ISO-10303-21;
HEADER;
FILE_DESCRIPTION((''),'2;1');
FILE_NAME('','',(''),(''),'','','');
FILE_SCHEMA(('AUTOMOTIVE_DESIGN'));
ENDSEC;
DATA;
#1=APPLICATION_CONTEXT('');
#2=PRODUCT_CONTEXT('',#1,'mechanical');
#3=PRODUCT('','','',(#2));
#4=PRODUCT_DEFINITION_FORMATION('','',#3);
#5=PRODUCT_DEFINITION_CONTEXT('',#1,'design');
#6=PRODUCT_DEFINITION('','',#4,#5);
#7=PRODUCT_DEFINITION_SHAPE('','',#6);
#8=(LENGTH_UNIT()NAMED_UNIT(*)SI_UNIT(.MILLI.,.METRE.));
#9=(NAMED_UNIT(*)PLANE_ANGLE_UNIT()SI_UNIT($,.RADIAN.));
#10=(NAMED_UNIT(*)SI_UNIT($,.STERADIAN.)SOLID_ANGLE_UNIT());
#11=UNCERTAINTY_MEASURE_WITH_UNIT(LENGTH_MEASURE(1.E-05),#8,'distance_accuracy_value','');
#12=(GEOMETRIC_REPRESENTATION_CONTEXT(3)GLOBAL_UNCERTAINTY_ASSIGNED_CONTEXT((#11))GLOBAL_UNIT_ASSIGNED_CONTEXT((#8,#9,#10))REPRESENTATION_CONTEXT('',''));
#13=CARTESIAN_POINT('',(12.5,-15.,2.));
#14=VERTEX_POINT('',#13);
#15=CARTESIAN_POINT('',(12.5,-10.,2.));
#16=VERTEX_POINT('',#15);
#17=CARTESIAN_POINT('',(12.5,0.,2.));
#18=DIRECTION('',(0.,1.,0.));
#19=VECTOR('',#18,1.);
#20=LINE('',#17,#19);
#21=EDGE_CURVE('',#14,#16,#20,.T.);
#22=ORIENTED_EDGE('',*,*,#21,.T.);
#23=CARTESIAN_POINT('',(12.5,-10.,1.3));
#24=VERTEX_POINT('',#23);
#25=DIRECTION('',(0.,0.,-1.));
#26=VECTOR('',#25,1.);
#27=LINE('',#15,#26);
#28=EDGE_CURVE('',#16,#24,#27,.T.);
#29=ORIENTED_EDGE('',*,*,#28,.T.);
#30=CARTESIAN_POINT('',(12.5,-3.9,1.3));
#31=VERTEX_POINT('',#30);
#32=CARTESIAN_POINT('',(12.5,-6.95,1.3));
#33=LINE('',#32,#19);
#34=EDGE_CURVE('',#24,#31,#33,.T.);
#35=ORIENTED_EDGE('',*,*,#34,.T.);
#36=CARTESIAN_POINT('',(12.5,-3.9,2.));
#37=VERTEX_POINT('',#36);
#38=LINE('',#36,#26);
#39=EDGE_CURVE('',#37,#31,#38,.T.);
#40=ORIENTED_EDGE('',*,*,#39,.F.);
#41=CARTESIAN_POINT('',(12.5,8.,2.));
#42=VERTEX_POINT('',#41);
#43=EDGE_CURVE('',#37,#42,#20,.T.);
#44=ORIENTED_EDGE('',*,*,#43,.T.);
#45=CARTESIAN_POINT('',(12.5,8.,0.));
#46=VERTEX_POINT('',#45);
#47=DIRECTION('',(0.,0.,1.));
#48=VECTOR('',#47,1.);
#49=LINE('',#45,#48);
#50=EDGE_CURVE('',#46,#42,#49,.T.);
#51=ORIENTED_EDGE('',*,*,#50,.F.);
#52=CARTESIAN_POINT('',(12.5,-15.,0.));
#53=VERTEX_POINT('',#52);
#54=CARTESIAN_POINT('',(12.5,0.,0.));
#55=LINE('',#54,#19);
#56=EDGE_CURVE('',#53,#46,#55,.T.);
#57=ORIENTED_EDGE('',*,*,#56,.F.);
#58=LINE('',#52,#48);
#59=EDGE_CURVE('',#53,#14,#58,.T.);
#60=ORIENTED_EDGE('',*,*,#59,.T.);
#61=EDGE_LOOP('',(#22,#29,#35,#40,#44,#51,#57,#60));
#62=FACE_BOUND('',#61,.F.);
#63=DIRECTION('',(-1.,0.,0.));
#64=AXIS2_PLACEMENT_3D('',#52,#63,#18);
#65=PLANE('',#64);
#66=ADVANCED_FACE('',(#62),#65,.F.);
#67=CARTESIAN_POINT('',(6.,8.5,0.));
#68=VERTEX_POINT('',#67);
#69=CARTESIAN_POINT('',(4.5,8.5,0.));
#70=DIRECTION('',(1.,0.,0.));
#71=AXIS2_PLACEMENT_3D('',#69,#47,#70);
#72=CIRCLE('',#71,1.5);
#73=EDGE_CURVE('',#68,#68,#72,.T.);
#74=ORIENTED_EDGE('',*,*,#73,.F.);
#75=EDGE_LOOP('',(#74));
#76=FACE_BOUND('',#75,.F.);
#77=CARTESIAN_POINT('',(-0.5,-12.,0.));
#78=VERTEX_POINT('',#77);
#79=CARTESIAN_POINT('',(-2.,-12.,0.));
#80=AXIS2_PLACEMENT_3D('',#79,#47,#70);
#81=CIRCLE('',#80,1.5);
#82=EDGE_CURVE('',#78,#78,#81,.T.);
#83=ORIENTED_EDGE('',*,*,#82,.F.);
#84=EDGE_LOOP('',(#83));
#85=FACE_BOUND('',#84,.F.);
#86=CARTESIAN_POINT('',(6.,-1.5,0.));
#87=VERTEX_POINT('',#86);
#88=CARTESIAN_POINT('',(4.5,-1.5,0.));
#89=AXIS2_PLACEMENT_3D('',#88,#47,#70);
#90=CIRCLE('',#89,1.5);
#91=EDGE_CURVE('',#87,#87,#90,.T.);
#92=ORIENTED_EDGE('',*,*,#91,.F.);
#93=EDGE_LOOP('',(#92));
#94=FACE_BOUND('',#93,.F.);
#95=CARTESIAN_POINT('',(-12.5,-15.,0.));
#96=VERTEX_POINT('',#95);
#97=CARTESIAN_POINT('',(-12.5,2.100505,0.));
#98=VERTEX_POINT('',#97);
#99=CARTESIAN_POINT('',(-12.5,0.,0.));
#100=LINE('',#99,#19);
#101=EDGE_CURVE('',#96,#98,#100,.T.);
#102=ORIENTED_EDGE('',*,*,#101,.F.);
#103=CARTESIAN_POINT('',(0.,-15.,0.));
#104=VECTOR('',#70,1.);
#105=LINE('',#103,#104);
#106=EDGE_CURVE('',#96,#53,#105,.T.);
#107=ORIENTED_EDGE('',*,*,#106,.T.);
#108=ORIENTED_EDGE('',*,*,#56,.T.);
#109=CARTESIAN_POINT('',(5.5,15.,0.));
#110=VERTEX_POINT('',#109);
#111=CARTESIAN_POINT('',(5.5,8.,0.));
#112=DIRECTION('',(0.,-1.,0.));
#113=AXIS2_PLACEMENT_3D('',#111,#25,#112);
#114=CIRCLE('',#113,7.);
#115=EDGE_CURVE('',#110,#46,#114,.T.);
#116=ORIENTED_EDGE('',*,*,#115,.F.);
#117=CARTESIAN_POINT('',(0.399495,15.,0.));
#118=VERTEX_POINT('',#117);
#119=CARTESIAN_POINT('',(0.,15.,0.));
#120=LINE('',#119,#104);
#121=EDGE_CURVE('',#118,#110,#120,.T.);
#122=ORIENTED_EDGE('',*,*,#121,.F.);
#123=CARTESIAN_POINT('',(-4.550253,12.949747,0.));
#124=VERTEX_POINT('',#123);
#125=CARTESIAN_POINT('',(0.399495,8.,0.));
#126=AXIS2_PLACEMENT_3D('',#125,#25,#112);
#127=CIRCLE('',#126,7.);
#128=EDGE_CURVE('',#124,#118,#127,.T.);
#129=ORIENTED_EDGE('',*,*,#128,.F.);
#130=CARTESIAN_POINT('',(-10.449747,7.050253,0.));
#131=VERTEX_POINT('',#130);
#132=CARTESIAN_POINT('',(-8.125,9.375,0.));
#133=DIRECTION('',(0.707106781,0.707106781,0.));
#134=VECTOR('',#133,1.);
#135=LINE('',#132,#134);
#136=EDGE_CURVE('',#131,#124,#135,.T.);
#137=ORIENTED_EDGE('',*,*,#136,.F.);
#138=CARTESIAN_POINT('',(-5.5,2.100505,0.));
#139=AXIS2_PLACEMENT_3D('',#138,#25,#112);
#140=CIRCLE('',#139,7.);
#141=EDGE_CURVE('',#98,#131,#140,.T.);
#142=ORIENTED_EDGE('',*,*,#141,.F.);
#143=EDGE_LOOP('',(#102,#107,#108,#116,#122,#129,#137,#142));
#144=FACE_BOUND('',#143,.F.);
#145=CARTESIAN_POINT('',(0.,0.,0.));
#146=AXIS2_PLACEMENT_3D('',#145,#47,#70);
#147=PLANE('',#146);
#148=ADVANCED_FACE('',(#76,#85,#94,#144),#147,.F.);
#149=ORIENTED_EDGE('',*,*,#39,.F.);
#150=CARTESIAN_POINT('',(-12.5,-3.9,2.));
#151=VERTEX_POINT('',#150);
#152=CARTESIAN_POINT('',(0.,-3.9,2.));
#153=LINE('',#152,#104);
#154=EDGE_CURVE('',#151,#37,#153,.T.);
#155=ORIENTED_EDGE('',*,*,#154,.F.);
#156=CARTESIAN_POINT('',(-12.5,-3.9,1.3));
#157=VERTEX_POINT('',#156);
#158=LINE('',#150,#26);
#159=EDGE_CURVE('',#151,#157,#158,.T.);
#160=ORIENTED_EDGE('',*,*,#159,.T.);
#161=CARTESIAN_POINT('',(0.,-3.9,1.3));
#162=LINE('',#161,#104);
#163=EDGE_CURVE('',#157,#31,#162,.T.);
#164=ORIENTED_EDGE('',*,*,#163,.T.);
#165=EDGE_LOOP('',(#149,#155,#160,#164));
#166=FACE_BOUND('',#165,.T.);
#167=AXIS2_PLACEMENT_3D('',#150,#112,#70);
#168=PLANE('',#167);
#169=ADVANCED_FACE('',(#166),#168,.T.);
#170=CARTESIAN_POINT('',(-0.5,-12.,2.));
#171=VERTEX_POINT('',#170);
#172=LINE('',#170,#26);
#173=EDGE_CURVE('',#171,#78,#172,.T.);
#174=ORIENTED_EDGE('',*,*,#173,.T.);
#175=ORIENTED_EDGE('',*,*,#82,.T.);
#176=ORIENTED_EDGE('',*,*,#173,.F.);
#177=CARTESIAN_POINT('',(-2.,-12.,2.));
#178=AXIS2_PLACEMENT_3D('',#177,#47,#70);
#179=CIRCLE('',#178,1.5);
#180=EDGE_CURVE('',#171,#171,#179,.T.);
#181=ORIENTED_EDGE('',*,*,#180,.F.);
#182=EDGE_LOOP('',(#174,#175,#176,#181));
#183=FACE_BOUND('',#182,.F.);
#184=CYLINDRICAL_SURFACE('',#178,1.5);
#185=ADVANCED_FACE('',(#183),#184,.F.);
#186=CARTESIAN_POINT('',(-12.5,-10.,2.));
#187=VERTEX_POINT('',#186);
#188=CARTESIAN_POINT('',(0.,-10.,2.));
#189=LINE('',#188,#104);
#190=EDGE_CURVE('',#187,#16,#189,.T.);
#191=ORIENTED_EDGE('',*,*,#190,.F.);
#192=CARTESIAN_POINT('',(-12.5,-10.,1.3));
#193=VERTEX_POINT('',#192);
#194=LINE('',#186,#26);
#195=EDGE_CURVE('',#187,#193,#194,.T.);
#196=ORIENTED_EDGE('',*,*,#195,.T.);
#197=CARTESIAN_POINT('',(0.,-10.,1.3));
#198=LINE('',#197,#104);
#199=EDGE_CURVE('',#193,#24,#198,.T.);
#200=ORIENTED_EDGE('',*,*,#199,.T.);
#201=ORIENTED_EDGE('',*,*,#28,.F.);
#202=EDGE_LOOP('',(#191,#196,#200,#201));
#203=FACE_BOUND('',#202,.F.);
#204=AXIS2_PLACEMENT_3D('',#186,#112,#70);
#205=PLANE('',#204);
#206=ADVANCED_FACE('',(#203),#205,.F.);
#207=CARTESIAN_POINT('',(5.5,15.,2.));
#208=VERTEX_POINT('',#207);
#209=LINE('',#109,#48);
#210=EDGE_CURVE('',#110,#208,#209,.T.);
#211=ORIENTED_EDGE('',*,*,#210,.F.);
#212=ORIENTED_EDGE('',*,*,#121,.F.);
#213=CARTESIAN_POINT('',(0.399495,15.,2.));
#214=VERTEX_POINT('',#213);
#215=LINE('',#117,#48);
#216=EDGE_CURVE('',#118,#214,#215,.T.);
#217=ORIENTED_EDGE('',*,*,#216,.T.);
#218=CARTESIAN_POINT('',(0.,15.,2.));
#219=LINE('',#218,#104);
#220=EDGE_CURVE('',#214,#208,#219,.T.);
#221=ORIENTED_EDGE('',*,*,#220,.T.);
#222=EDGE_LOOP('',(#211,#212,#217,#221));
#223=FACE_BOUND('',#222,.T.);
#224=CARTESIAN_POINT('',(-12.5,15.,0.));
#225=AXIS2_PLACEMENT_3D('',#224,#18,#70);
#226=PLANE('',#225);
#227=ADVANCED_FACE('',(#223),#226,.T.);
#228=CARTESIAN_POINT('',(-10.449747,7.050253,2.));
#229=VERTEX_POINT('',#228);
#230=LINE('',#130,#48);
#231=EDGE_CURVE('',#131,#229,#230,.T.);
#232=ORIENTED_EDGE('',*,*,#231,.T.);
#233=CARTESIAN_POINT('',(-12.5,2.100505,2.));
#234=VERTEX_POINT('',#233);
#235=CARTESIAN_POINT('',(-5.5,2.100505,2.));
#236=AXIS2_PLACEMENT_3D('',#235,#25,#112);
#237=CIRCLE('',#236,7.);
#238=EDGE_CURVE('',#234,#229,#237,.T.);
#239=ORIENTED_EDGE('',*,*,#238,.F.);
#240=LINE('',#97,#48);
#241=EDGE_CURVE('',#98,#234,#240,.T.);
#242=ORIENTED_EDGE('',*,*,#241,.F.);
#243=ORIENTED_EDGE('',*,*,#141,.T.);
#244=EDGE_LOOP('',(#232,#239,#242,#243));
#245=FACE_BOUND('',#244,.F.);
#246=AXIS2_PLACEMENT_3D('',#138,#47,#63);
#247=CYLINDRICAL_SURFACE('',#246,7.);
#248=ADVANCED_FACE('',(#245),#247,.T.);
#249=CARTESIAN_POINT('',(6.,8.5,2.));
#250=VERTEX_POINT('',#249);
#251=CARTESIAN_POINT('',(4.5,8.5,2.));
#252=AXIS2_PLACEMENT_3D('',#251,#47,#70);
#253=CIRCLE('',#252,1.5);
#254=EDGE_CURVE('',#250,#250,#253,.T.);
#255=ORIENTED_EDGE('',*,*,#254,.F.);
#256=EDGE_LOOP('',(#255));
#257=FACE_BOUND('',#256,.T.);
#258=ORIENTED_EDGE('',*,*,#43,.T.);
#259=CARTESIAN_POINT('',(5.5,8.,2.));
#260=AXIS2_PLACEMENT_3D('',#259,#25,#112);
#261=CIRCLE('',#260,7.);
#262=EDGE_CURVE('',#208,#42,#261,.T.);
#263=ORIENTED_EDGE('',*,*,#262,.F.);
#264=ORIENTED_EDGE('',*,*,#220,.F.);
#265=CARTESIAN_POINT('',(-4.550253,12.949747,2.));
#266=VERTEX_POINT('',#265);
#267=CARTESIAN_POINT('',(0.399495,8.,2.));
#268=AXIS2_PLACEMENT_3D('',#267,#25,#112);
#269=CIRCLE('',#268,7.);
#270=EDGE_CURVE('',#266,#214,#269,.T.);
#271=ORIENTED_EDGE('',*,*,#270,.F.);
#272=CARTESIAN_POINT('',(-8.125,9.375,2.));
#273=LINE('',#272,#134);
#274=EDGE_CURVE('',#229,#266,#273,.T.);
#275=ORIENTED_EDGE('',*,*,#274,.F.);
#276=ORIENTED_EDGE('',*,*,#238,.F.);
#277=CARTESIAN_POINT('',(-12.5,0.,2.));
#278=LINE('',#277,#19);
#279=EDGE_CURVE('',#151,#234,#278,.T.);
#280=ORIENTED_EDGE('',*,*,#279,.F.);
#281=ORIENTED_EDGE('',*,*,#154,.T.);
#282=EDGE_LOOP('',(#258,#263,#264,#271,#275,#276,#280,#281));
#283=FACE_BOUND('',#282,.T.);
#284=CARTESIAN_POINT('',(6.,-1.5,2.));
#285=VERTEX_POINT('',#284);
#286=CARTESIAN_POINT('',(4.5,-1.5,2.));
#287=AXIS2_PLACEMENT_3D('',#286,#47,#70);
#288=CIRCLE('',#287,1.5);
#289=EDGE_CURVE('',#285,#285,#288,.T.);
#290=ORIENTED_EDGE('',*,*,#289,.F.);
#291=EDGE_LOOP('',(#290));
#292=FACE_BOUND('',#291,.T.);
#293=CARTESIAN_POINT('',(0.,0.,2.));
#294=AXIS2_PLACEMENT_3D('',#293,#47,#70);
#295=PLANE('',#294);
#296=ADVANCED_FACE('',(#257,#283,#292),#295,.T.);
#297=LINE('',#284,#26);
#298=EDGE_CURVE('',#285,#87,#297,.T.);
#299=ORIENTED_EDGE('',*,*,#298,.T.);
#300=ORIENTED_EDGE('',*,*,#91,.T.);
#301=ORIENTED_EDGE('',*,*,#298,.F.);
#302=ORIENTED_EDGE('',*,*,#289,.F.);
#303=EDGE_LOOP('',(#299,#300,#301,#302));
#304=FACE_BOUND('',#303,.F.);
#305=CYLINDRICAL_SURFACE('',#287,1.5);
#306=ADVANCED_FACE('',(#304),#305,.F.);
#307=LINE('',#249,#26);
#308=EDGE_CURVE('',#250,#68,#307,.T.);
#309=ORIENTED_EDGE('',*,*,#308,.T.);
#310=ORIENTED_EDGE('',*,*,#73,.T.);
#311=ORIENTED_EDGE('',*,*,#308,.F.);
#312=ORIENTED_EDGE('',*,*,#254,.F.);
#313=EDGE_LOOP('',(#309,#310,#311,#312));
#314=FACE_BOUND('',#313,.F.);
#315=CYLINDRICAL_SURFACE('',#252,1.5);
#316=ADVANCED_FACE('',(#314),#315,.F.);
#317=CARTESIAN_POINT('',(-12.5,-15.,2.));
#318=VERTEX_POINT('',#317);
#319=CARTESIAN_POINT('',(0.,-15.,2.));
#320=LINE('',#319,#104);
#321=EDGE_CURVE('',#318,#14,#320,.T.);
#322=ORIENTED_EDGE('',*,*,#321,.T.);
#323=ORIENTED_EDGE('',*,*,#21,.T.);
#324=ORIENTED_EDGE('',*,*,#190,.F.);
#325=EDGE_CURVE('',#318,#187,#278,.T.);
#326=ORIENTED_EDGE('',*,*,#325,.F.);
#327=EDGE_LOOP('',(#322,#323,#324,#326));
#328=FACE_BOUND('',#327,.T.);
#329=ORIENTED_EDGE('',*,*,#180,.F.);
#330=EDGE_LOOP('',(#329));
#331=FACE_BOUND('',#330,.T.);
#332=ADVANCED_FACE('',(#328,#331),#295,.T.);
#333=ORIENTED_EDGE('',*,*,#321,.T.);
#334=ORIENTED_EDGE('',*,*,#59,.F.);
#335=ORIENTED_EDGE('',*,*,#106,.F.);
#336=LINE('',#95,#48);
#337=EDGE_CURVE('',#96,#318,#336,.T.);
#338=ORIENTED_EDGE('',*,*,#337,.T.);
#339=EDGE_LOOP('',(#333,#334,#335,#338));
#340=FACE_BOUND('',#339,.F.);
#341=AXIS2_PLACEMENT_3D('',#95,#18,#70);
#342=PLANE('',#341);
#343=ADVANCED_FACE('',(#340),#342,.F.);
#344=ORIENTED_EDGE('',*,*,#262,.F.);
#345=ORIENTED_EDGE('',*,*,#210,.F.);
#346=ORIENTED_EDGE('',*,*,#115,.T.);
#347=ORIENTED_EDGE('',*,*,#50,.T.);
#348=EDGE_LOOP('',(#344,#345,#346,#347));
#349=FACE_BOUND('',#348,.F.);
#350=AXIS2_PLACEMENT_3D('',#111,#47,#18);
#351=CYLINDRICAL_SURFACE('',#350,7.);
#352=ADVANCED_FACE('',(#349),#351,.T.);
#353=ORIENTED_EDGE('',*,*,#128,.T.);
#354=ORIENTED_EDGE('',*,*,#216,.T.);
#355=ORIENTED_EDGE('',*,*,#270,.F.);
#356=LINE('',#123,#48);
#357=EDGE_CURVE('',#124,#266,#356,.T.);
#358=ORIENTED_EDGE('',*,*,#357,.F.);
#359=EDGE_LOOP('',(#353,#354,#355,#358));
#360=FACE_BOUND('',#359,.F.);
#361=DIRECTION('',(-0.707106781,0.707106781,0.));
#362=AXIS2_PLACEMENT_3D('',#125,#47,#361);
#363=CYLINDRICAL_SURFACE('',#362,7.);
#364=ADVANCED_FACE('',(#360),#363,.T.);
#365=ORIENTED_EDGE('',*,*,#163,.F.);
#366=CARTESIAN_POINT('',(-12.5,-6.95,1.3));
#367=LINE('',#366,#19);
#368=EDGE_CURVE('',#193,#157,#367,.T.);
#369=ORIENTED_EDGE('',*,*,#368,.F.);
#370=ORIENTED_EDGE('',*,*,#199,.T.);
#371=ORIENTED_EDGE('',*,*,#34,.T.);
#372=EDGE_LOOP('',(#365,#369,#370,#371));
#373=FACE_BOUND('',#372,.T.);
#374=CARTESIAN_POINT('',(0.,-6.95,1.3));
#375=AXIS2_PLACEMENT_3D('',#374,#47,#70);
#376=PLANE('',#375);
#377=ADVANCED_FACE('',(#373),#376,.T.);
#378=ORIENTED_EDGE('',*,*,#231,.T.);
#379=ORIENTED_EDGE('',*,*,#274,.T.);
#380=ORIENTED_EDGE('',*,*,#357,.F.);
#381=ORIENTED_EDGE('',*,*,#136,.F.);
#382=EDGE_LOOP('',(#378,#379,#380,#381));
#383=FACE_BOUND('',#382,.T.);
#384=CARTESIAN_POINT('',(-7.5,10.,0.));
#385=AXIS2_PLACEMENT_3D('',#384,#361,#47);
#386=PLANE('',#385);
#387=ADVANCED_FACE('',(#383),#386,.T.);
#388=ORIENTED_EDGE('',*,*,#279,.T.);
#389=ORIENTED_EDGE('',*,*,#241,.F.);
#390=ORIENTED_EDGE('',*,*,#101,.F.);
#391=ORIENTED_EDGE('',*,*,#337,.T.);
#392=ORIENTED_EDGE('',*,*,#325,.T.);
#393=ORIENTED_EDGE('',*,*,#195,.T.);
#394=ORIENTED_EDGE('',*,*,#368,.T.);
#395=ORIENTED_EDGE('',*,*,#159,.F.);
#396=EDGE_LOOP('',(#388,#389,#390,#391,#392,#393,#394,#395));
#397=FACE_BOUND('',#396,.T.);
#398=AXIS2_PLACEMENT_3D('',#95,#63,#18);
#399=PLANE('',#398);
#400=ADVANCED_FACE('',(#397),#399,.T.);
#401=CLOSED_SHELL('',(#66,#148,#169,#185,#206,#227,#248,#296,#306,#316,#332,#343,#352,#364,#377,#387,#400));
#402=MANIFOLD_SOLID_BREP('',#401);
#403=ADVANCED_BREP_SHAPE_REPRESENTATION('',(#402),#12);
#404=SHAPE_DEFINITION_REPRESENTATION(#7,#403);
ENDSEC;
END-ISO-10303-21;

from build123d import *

# Parameters (mm, degrees)
F0_W     = 25
F0_H     = 30
F1_DEPTH = 2
F2_R     = 1.5
F3_DEPTH = 2.001
F4_W     = 25
F4_H     = 6.1
F5_DEPTH = 0.7
F6_SIZE  = 10
F7_R     = 7


with BuildPart() as f1:
    # F0 (on Top) → F1 (new body)
    with BuildSketch(Plane.XY):
        Rectangle(F0_W, F0_H)
    extrude(amount=F1_DEPTH)

    # F2 (on face) → F3 (cut, through all)
    with BuildSketch(Plane.XY.offset(2)):
        with Locations((-2, -12)):
            Circle(F2_R)
        with Locations((4.5, -1.5)):
            Circle(F2_R)
        with Locations((4.5, 8.5)):
            Circle(F2_R)
    extrude(amount=-F3_DEPTH, mode=Mode.SUBTRACT)

    # F4 (on face) → F5 (cut)
    with BuildSketch(Plane.XY.offset(2)):
        with Locations((0, -6.95)):
            Rectangle(F4_W, F4_H)
    extrude(amount=-F5_DEPTH, mode=Mode.SUBTRACT)

    # F6
    f6_edges = [f1.edges().sort_by_distance(p)[0] for p in [
        (-12.5, 15, 1),
    ]]
    chamfer(f6_edges, length=F6_SIZE)

    # F7
    f7_edges = [f1.edges().sort_by_distance(p)[0] for p in [
        (-12.5, 5, 1),
        (-2.5, 15, 1),
        (12.5, 15, 1),
    ]]
    fillet(f7_edges, radius=F7_R)


solid = f1.part
